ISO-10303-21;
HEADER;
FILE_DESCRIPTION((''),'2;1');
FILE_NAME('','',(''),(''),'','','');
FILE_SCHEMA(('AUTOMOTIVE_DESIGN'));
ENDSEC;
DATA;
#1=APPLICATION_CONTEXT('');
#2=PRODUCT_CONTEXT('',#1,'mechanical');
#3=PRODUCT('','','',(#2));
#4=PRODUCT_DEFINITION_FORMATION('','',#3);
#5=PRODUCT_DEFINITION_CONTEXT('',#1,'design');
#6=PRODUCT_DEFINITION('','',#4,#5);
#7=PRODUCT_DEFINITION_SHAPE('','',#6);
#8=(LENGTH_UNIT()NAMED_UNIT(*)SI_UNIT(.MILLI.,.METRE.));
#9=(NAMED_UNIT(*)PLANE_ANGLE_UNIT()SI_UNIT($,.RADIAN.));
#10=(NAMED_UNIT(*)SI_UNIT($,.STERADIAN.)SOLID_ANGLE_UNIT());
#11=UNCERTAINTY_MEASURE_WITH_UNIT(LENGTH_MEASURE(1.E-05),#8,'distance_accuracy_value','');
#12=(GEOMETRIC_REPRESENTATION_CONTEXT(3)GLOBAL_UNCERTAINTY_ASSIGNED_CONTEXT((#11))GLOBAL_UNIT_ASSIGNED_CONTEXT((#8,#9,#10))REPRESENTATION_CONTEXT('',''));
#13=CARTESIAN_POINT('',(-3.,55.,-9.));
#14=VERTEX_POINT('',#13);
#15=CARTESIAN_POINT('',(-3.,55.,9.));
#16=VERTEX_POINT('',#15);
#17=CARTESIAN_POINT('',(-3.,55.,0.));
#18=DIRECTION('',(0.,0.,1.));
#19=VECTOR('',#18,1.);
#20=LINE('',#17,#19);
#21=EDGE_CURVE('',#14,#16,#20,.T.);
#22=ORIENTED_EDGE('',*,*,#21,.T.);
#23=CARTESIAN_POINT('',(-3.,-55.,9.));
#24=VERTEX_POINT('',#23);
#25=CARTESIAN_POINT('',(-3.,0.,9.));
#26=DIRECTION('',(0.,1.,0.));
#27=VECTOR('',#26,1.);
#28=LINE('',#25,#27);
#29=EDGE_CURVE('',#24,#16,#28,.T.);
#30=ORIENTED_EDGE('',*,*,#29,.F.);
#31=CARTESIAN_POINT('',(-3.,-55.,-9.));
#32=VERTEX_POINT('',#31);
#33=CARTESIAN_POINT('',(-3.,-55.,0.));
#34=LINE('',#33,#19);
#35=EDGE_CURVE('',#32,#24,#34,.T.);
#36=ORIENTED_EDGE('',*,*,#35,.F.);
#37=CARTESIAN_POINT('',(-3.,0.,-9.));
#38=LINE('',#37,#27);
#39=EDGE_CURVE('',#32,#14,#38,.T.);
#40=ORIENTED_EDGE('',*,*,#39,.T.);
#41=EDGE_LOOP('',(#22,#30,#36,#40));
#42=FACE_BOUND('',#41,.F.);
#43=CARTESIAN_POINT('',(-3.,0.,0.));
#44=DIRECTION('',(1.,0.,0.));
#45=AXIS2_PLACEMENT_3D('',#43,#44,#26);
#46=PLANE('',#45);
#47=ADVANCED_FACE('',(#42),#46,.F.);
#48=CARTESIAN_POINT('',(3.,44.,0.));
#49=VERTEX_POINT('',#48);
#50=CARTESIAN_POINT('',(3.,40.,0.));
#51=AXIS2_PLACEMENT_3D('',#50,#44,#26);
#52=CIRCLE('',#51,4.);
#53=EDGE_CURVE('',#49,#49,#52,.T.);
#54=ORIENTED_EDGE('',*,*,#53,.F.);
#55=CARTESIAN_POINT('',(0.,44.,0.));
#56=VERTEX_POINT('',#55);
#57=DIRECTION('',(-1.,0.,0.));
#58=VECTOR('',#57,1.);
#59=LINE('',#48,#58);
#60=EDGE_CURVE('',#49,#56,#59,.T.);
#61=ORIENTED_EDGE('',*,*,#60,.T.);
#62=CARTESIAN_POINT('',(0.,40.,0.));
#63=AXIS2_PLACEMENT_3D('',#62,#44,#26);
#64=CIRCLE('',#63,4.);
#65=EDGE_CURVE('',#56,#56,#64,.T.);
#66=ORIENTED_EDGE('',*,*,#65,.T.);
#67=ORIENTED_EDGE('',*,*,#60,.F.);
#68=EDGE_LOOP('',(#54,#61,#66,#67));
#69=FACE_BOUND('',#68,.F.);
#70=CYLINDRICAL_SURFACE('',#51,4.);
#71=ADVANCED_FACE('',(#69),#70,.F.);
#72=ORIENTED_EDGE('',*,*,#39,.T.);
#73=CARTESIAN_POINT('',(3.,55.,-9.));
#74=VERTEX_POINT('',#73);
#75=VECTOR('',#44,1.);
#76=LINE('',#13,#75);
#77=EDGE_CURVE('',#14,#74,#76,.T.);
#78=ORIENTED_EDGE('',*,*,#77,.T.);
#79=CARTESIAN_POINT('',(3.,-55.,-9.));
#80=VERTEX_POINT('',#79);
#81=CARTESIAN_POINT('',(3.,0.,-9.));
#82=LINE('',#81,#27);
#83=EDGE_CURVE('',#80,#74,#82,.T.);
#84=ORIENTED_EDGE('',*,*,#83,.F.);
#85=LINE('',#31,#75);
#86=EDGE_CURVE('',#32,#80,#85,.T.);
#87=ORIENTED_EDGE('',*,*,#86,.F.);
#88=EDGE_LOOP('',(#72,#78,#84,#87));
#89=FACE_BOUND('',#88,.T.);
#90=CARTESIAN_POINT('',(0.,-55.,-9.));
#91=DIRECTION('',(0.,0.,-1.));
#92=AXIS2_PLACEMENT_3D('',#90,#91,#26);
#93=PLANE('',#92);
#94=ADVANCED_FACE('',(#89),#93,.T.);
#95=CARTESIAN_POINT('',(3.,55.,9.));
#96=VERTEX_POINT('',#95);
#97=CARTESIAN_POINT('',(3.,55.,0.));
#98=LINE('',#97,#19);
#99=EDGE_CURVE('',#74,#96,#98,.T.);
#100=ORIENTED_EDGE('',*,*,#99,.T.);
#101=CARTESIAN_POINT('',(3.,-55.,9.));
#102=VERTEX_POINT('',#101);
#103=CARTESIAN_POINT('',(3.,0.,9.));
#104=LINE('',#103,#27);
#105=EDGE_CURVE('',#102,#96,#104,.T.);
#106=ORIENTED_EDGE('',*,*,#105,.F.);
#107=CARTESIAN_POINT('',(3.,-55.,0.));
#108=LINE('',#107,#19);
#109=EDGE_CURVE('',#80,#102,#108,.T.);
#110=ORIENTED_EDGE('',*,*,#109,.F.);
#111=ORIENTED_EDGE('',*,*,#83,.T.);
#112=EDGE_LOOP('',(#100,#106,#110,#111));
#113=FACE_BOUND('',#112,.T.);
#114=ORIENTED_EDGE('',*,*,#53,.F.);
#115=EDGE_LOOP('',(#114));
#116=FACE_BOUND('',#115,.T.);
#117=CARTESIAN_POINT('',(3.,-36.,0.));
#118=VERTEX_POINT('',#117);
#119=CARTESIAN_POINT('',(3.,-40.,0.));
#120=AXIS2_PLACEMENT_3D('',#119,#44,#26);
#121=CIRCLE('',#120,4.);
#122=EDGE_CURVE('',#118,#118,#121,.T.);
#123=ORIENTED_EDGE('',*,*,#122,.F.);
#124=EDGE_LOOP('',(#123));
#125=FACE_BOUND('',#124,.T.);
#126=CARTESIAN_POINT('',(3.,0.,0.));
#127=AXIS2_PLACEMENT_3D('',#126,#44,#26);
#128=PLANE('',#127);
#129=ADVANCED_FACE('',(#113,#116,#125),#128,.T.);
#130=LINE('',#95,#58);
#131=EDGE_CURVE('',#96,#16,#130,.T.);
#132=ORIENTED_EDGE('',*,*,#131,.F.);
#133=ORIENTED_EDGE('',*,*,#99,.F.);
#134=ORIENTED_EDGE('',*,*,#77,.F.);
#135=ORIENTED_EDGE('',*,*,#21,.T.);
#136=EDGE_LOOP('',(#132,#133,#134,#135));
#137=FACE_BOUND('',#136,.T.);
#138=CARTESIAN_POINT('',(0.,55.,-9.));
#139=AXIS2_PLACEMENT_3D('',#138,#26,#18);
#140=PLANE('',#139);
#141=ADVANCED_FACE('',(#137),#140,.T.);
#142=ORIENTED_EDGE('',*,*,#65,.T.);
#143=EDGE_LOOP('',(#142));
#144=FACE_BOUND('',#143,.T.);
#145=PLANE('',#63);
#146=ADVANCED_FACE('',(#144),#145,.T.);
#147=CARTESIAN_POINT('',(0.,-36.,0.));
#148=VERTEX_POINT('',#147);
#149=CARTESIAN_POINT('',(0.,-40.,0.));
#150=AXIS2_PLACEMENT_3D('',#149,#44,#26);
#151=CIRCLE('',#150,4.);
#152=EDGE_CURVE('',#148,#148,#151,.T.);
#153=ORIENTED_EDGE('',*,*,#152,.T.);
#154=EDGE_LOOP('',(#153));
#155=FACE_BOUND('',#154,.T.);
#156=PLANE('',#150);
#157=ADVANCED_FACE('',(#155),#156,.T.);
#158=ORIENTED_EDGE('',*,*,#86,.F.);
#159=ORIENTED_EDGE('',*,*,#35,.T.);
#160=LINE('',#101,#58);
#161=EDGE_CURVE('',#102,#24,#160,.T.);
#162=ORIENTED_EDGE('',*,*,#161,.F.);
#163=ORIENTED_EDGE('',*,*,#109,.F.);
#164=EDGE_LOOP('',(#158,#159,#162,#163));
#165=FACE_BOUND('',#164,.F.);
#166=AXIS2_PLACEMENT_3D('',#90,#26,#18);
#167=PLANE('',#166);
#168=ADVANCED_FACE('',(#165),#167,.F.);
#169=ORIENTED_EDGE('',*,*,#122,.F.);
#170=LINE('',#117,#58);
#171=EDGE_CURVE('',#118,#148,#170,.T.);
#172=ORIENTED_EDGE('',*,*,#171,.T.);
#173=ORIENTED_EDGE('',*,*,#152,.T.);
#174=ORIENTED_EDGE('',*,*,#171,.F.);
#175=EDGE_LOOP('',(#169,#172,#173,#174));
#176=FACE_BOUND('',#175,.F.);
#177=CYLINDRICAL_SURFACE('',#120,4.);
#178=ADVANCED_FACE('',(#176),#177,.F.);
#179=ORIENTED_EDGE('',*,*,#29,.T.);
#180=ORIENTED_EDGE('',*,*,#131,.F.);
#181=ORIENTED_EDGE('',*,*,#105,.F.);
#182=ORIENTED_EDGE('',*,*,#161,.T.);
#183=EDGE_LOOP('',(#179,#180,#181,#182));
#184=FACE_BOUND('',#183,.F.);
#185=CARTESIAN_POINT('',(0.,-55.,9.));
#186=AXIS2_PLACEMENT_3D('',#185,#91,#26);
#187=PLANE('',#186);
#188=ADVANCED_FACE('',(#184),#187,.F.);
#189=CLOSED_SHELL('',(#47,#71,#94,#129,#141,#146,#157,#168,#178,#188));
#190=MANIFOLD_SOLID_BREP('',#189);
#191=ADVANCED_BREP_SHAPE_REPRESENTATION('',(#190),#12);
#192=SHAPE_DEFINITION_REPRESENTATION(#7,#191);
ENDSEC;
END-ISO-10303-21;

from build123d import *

# Parameters (mm, degrees)
F0_W     = 110
F0_H     = 18
F1_DEPTH = 3
F2_R     = 4
F3_DEPTH = 3


with BuildPart() as f1:
    # F0 (on Right) → F1 (new body, symmetric)
    with BuildSketch(Plane.YZ):
        Rectangle(F0_W, F0_H)
    extrude(amount=F1_DEPTH, both=True)

    # F2 (on face) → F3 (cut)
    with BuildSketch(Plane.YZ.offset(3)):
        with Locations((-40, 0)):
            Circle(F2_R)
        with Locations((40, 0)):
            Circle(F2_R)
    extrude(amount=-F3_DEPTH, mode=Mode.SUBTRACT)


solid = f1.part
